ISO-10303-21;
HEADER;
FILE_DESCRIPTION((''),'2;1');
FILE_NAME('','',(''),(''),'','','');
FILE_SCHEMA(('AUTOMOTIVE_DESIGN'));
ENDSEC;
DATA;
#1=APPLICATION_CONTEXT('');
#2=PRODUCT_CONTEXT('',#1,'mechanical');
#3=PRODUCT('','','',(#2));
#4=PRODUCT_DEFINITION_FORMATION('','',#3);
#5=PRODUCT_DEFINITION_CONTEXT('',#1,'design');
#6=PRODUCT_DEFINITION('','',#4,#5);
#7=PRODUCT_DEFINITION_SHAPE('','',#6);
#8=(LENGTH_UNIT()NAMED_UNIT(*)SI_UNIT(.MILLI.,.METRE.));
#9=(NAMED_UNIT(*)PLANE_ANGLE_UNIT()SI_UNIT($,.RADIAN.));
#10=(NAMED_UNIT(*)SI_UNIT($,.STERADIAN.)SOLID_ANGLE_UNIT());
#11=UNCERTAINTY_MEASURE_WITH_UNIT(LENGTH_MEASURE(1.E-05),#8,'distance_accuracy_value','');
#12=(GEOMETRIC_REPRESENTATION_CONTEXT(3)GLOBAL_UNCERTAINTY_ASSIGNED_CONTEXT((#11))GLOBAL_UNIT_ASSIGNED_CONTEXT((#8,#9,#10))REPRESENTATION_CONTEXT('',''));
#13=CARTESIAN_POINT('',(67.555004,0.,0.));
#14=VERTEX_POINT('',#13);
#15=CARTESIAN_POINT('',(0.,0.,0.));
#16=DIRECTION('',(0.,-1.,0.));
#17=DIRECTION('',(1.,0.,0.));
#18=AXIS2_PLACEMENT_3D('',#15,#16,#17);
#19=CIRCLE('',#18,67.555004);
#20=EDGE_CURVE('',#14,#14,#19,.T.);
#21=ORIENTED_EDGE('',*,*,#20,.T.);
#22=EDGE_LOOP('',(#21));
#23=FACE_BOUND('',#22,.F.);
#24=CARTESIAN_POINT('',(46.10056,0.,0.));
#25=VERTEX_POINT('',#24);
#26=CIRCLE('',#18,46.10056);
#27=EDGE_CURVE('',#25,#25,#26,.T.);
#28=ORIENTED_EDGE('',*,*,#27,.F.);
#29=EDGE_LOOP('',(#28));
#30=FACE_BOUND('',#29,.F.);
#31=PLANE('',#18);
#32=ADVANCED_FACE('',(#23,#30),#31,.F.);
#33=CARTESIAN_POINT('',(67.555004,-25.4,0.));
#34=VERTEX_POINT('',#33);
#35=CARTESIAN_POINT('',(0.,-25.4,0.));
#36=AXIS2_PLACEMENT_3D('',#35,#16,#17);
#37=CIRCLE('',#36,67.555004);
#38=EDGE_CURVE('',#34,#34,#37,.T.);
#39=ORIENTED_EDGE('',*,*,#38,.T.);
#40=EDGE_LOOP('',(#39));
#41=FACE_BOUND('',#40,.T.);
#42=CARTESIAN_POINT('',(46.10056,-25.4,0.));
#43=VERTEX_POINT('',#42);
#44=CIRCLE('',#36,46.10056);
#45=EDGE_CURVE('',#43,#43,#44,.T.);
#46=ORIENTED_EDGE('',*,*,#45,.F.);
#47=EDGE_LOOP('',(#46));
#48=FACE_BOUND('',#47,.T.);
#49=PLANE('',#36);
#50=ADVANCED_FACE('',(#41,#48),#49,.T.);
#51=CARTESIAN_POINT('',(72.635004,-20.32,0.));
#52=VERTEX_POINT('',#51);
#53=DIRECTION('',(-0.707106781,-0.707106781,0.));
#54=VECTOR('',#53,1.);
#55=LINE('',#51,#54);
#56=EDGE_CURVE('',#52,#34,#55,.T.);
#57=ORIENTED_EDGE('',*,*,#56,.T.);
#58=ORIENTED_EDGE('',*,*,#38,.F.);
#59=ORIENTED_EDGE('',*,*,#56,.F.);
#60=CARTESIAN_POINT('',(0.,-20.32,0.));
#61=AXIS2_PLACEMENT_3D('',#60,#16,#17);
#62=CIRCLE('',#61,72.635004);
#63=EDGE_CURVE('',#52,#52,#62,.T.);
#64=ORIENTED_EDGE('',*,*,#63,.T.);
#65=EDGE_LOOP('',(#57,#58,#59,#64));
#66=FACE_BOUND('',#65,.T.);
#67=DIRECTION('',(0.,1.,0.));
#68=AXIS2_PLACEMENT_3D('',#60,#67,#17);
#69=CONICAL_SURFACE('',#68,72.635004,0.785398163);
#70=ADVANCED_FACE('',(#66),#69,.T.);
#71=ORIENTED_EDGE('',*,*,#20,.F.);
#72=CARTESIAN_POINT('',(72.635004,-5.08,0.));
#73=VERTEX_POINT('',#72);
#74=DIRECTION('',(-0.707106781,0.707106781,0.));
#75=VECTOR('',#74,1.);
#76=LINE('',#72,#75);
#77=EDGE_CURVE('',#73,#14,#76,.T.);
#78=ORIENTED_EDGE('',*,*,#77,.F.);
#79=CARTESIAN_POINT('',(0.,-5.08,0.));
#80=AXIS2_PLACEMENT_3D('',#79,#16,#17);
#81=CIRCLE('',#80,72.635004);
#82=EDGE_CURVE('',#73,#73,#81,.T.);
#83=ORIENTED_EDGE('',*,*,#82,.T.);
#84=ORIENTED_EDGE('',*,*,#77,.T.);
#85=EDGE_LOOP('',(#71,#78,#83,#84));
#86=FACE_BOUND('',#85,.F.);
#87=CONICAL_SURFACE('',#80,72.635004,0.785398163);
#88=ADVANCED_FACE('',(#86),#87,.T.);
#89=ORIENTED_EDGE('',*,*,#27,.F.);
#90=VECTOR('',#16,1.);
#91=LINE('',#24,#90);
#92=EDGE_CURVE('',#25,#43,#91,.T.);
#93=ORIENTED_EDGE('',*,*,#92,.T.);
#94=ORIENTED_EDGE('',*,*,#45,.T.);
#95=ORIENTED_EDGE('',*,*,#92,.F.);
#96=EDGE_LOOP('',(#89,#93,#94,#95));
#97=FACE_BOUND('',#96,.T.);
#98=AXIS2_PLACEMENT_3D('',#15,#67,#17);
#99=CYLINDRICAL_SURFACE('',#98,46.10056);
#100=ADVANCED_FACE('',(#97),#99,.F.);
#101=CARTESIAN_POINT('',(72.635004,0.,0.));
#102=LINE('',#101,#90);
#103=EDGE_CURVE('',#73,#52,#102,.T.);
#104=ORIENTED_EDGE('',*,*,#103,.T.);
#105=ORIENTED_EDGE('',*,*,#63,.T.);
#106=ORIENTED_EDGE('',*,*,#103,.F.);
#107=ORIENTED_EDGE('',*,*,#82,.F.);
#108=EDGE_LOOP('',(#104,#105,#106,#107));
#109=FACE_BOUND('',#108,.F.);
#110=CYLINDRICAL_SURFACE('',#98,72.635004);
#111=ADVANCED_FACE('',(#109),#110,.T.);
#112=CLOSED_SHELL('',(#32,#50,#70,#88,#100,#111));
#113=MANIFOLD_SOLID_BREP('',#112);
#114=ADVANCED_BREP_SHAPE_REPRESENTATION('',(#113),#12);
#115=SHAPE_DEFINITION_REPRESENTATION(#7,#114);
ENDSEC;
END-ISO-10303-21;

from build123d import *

# Parameters (mm, degrees)
F1_R     = 72.635004
F1_R_2   = 46.10056
F2_DEPTH = 25.4
F3_SIZE  = 5.08


with BuildPart() as f2:
    # F1 (on face) → F2 (new body)
    with BuildSketch(Plane.XZ):
        Circle(F1_R)
        Circle(F1_R_2, mode=Mode.SUBTRACT)
    extrude(amount=F2_DEPTH)

    # F3
    f3_edges = [f2.edges().sort_by_distance(p)[0] for p in [
        (72.635004, -12.7, 0),
        (-72.635004, 0, 0),
        (-72.635004, -25.4, 0),
    ]]
    chamfer(f3_edges, length=F3_SIZE)


solid = f2.part
